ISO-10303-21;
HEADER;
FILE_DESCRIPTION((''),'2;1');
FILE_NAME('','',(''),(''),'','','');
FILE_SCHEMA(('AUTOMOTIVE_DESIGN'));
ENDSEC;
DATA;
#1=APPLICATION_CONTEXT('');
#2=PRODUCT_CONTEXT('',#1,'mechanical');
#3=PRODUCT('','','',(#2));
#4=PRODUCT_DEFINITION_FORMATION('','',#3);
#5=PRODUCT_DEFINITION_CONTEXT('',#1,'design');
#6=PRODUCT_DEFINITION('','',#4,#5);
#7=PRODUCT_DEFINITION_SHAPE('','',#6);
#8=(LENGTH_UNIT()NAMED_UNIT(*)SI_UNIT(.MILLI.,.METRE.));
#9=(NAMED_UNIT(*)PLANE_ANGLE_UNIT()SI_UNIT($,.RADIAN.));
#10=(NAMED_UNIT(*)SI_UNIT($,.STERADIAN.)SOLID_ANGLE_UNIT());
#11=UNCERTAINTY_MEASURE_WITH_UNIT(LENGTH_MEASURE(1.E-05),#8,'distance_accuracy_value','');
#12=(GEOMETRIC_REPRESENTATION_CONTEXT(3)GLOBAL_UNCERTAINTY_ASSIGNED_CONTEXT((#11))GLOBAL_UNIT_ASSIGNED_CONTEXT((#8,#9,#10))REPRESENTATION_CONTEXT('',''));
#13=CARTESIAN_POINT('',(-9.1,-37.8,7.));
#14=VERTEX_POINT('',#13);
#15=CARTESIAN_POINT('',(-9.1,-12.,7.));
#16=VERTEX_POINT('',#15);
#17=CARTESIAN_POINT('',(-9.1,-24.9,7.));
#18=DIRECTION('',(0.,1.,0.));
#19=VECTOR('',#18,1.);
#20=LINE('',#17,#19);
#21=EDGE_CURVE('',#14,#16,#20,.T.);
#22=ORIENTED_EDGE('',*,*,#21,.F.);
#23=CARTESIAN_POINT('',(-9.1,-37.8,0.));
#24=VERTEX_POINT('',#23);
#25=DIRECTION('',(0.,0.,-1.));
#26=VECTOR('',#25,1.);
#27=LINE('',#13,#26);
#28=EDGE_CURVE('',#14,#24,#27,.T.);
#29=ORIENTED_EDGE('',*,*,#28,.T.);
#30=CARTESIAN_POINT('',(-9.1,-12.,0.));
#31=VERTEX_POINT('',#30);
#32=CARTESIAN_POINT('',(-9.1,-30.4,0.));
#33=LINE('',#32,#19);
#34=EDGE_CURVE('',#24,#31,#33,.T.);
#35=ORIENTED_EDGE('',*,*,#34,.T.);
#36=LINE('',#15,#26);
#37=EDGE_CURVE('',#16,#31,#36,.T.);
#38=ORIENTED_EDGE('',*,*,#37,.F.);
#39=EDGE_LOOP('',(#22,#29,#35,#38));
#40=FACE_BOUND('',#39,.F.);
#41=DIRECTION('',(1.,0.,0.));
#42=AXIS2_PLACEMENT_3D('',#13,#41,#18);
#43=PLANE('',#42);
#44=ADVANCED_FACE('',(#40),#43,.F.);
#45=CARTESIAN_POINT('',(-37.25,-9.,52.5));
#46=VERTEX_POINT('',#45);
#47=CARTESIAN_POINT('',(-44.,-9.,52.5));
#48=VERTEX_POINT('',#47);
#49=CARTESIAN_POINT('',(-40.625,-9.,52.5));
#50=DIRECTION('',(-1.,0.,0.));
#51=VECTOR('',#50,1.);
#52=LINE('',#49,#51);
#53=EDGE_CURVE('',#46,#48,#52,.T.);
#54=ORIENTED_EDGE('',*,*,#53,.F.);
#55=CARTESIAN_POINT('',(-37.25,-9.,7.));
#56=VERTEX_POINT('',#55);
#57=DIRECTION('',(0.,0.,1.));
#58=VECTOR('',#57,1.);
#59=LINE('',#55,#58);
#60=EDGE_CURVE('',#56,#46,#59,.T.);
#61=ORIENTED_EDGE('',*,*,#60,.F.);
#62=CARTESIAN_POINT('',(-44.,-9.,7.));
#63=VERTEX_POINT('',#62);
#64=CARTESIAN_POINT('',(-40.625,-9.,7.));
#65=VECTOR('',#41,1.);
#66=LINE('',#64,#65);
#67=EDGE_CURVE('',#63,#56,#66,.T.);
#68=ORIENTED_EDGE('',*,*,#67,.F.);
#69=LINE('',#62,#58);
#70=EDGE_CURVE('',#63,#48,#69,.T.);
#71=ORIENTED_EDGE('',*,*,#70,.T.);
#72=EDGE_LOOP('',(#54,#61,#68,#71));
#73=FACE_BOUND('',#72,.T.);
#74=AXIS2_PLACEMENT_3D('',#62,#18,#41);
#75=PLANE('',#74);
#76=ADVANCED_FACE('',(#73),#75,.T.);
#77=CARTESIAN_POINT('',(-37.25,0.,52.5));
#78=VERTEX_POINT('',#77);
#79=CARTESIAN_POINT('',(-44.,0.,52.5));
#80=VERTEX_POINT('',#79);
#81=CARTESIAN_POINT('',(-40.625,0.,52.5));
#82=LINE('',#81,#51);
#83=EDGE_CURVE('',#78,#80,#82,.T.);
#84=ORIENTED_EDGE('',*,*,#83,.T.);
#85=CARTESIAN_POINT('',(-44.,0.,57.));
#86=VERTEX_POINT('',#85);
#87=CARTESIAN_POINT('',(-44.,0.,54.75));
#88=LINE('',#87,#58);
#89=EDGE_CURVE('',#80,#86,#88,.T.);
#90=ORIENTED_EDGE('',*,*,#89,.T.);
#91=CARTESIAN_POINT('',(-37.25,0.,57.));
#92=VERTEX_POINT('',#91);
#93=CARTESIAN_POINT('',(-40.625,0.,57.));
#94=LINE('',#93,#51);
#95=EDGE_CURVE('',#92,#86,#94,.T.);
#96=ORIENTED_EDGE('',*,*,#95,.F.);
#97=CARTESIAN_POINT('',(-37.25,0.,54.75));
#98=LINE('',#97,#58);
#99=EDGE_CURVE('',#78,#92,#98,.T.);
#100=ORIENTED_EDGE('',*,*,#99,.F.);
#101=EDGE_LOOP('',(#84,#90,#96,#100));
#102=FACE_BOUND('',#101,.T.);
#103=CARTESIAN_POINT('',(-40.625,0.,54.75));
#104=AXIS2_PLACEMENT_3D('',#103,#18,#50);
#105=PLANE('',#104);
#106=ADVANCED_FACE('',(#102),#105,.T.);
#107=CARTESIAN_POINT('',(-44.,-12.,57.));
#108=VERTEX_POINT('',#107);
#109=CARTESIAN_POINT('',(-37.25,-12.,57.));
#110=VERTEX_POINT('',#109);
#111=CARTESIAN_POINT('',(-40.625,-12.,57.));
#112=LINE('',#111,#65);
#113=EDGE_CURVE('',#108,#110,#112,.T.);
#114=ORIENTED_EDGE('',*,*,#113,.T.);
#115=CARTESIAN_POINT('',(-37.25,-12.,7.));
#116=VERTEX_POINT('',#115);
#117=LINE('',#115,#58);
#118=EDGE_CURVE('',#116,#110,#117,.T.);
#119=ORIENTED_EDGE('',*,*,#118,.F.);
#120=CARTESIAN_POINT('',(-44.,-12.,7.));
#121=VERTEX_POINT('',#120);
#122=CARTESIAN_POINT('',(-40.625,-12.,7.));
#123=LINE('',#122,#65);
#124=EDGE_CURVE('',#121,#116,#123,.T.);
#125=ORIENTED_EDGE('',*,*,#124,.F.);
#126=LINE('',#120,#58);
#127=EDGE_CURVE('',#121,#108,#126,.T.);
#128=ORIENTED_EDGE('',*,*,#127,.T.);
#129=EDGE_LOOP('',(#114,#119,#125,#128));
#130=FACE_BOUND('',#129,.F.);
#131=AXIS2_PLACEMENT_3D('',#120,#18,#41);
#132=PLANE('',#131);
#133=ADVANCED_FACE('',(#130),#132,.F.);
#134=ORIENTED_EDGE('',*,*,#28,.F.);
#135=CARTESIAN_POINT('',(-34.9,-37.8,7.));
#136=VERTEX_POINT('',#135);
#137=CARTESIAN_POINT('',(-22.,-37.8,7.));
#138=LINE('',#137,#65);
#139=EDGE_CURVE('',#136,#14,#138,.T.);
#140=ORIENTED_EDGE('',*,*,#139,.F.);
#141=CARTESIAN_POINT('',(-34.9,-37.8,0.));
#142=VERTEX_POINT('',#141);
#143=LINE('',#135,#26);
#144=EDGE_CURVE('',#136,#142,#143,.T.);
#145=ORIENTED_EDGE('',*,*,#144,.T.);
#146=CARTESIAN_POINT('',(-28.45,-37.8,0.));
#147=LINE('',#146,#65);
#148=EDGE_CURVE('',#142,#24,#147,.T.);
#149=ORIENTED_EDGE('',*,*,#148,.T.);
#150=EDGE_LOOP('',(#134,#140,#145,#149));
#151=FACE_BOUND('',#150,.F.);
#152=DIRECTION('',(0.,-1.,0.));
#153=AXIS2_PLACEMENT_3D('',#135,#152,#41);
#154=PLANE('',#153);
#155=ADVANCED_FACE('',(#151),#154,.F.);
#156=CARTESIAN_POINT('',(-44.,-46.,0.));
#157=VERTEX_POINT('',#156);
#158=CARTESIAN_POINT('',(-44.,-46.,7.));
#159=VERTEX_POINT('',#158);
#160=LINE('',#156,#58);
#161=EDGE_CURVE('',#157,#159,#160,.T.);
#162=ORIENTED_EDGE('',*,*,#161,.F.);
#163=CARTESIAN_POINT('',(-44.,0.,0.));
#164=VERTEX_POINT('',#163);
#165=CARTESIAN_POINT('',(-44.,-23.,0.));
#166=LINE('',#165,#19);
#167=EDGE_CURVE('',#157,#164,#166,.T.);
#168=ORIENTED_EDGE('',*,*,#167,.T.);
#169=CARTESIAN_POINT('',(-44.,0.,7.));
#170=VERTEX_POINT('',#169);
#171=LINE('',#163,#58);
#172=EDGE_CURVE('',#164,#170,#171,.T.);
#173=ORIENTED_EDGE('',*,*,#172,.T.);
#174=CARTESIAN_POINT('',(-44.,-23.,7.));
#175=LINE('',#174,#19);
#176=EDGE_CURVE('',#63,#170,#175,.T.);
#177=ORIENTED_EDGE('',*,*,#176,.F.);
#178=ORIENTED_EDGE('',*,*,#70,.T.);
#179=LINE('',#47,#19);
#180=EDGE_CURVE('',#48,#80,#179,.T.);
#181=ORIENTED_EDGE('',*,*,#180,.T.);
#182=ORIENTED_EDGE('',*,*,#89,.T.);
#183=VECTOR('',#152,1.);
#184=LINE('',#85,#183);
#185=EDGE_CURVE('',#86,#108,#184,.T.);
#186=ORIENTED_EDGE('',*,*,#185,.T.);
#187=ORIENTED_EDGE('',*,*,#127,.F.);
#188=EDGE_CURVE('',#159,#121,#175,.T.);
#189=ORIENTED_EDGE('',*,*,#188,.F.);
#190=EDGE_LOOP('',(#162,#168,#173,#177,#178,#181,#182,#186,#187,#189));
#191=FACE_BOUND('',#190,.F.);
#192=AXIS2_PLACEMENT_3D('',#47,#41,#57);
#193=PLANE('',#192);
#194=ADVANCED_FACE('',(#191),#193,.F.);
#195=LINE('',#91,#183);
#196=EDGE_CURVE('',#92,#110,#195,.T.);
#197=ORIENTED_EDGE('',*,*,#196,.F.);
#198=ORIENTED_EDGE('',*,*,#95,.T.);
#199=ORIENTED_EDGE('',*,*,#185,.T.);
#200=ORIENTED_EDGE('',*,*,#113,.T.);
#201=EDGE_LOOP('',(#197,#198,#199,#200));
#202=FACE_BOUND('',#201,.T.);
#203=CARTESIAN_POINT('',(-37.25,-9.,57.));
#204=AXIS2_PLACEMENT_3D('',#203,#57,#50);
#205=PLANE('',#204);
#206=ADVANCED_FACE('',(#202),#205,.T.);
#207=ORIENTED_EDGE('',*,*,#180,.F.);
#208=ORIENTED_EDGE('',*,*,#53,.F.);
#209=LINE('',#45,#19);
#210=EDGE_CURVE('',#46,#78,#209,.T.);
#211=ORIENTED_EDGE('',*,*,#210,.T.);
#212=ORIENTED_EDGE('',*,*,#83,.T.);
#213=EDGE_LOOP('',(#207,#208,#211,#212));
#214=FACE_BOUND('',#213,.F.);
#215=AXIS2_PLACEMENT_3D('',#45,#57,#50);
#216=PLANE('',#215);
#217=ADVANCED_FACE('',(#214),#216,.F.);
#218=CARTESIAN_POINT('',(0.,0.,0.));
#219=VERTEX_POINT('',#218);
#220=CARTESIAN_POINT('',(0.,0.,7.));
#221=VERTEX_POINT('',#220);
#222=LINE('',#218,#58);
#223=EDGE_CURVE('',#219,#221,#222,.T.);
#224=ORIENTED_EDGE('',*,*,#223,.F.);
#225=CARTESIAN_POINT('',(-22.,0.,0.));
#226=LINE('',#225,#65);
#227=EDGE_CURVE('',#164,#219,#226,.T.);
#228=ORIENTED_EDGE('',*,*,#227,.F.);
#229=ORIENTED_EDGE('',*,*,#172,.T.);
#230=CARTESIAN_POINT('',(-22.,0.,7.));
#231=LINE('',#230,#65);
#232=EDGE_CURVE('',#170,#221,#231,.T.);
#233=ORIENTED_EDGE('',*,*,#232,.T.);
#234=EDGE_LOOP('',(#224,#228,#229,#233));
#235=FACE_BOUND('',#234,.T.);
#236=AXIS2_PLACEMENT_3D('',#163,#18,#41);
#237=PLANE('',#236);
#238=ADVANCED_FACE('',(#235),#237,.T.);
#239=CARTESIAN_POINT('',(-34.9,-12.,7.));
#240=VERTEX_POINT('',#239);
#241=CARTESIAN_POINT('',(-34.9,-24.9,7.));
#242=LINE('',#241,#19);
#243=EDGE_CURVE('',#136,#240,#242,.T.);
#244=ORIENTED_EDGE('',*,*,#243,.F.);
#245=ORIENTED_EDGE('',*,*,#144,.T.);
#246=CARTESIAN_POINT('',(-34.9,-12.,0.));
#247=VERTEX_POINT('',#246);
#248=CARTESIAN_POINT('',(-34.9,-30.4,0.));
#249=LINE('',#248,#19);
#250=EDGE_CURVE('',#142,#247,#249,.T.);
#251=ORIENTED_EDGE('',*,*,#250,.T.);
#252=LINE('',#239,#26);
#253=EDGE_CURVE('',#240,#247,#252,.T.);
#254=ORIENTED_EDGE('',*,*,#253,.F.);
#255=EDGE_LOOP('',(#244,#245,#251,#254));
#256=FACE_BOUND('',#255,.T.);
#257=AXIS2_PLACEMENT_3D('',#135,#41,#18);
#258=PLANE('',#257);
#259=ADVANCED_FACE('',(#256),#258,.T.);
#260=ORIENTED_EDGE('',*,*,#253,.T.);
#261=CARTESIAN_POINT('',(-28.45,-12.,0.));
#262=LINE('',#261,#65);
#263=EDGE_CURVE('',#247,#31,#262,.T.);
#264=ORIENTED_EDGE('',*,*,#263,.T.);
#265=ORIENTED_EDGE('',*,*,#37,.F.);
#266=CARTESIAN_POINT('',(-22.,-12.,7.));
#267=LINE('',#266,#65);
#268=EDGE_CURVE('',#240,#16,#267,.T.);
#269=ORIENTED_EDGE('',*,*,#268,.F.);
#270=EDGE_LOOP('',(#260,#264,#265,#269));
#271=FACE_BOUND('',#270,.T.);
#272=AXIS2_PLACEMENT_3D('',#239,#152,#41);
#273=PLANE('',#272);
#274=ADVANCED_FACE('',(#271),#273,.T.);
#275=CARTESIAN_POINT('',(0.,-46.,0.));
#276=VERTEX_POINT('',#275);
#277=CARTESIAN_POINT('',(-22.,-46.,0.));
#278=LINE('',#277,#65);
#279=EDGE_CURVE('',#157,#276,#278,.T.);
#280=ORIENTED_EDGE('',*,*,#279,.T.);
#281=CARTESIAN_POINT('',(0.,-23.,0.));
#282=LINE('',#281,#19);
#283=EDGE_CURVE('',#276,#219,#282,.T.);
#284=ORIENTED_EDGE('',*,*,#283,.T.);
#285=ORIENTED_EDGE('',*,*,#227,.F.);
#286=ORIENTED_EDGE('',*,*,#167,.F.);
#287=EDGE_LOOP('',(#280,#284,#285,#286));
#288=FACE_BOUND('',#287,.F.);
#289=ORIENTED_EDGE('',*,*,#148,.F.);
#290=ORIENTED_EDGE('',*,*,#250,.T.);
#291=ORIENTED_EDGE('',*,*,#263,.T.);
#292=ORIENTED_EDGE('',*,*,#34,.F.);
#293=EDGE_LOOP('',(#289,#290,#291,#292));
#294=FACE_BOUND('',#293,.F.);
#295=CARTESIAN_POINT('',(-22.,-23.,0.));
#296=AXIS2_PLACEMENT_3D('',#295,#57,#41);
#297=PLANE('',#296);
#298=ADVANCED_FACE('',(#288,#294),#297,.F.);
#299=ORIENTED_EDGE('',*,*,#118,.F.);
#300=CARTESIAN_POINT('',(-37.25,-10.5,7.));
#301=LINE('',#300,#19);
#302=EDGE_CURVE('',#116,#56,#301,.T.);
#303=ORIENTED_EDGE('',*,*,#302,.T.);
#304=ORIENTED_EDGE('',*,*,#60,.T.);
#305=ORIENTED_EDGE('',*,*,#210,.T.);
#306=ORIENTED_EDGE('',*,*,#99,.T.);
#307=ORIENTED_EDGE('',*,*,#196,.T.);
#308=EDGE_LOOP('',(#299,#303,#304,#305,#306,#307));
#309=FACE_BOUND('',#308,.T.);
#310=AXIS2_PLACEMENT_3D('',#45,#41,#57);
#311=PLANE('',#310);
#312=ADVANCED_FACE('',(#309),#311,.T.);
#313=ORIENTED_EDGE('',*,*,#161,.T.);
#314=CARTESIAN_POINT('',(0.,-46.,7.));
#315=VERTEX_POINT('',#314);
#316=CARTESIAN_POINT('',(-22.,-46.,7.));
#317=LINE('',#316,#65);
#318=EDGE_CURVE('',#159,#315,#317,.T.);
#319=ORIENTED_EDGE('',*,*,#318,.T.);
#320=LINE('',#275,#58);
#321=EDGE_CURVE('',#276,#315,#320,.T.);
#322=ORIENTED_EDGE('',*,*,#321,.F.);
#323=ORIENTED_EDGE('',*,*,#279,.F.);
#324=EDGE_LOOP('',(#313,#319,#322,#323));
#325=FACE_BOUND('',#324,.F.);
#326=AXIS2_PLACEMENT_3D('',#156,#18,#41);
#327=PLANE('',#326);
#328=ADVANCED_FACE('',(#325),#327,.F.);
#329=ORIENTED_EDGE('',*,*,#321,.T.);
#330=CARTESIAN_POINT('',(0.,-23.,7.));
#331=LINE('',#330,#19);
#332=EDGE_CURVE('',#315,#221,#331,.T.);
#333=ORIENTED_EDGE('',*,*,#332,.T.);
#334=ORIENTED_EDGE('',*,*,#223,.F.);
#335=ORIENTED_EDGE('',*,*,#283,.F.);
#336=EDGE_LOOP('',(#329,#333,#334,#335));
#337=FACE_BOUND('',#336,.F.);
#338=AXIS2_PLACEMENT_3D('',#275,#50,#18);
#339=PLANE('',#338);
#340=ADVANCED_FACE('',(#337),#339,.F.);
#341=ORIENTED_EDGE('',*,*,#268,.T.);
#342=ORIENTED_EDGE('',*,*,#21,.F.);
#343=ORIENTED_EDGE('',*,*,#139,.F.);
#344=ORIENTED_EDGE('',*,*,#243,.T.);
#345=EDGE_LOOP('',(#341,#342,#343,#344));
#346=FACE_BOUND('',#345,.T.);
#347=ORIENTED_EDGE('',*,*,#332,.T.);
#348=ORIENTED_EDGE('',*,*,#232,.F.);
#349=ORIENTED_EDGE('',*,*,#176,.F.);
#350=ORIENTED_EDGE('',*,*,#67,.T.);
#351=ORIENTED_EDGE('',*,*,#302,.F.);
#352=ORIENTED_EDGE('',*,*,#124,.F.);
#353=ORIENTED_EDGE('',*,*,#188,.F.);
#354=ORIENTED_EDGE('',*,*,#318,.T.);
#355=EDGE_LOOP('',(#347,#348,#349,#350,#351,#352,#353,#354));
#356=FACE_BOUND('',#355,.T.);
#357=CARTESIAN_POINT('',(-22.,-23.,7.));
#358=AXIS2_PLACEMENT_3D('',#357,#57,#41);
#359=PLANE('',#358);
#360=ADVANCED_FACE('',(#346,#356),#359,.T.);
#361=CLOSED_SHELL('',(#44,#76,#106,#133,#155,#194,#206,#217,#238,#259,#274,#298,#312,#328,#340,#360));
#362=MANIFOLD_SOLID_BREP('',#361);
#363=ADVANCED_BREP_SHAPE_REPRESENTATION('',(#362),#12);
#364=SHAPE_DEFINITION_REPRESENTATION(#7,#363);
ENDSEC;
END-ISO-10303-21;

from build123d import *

# Parameters (mm, degrees)
SKETCH_W     = 44
SKETCH_H     = 46
PAD_DEPTH    = 7
SKETCH001_W  = 25.8
SKETCH001_H  = 25.8
POCKET_DEPTH = 8
SKETCH002_W  = 6.75
SKETCH002_H  = 3
PAD001_DEPTH = 50
SKETCH006_W  = 6.75
SKETCH006_H  = 4.5
PAD017_DEPTH = 9


with BuildPart() as part:
    # Sketch → Pad (new body)
    with BuildSketch(Plane.XY):
        with Locations((-22, -23)):
            Rectangle(SKETCH_W, SKETCH_H)
    extrude(amount=PAD_DEPTH)

    # Sketch001 (on Face6 of Pad) → Pocket (cut)
    with BuildSketch(Plane.XY.offset(7)):
        with Locations((-22, -24.9)):
            Rectangle(SKETCH001_W, SKETCH001_H)
    extrude(amount=-POCKET_DEPTH, mode=Mode.SUBTRACT)

    # Sketch002 (on Face5 of Pocket) → Pad001 (new body)
    with BuildSketch(Plane.XY.offset(7)):
        with Locations((-40.625, -10.5)):
            Rectangle(SKETCH002_W, SKETCH002_H)
    extrude(amount=PAD001_DEPTH)

    # Sketch006 (on Face14 of Pad001) → Pad017 (new body)
    with BuildSketch(Plane(origin=(0, -9, 0), x_dir=(-1, 0, 0), z_dir=(0, 1, 0))):
        with Locations((40.625, 54.75)):
            Rectangle(SKETCH006_W, SKETCH006_H)
    extrude(amount=PAD017_DEPTH)


solid = part.part
